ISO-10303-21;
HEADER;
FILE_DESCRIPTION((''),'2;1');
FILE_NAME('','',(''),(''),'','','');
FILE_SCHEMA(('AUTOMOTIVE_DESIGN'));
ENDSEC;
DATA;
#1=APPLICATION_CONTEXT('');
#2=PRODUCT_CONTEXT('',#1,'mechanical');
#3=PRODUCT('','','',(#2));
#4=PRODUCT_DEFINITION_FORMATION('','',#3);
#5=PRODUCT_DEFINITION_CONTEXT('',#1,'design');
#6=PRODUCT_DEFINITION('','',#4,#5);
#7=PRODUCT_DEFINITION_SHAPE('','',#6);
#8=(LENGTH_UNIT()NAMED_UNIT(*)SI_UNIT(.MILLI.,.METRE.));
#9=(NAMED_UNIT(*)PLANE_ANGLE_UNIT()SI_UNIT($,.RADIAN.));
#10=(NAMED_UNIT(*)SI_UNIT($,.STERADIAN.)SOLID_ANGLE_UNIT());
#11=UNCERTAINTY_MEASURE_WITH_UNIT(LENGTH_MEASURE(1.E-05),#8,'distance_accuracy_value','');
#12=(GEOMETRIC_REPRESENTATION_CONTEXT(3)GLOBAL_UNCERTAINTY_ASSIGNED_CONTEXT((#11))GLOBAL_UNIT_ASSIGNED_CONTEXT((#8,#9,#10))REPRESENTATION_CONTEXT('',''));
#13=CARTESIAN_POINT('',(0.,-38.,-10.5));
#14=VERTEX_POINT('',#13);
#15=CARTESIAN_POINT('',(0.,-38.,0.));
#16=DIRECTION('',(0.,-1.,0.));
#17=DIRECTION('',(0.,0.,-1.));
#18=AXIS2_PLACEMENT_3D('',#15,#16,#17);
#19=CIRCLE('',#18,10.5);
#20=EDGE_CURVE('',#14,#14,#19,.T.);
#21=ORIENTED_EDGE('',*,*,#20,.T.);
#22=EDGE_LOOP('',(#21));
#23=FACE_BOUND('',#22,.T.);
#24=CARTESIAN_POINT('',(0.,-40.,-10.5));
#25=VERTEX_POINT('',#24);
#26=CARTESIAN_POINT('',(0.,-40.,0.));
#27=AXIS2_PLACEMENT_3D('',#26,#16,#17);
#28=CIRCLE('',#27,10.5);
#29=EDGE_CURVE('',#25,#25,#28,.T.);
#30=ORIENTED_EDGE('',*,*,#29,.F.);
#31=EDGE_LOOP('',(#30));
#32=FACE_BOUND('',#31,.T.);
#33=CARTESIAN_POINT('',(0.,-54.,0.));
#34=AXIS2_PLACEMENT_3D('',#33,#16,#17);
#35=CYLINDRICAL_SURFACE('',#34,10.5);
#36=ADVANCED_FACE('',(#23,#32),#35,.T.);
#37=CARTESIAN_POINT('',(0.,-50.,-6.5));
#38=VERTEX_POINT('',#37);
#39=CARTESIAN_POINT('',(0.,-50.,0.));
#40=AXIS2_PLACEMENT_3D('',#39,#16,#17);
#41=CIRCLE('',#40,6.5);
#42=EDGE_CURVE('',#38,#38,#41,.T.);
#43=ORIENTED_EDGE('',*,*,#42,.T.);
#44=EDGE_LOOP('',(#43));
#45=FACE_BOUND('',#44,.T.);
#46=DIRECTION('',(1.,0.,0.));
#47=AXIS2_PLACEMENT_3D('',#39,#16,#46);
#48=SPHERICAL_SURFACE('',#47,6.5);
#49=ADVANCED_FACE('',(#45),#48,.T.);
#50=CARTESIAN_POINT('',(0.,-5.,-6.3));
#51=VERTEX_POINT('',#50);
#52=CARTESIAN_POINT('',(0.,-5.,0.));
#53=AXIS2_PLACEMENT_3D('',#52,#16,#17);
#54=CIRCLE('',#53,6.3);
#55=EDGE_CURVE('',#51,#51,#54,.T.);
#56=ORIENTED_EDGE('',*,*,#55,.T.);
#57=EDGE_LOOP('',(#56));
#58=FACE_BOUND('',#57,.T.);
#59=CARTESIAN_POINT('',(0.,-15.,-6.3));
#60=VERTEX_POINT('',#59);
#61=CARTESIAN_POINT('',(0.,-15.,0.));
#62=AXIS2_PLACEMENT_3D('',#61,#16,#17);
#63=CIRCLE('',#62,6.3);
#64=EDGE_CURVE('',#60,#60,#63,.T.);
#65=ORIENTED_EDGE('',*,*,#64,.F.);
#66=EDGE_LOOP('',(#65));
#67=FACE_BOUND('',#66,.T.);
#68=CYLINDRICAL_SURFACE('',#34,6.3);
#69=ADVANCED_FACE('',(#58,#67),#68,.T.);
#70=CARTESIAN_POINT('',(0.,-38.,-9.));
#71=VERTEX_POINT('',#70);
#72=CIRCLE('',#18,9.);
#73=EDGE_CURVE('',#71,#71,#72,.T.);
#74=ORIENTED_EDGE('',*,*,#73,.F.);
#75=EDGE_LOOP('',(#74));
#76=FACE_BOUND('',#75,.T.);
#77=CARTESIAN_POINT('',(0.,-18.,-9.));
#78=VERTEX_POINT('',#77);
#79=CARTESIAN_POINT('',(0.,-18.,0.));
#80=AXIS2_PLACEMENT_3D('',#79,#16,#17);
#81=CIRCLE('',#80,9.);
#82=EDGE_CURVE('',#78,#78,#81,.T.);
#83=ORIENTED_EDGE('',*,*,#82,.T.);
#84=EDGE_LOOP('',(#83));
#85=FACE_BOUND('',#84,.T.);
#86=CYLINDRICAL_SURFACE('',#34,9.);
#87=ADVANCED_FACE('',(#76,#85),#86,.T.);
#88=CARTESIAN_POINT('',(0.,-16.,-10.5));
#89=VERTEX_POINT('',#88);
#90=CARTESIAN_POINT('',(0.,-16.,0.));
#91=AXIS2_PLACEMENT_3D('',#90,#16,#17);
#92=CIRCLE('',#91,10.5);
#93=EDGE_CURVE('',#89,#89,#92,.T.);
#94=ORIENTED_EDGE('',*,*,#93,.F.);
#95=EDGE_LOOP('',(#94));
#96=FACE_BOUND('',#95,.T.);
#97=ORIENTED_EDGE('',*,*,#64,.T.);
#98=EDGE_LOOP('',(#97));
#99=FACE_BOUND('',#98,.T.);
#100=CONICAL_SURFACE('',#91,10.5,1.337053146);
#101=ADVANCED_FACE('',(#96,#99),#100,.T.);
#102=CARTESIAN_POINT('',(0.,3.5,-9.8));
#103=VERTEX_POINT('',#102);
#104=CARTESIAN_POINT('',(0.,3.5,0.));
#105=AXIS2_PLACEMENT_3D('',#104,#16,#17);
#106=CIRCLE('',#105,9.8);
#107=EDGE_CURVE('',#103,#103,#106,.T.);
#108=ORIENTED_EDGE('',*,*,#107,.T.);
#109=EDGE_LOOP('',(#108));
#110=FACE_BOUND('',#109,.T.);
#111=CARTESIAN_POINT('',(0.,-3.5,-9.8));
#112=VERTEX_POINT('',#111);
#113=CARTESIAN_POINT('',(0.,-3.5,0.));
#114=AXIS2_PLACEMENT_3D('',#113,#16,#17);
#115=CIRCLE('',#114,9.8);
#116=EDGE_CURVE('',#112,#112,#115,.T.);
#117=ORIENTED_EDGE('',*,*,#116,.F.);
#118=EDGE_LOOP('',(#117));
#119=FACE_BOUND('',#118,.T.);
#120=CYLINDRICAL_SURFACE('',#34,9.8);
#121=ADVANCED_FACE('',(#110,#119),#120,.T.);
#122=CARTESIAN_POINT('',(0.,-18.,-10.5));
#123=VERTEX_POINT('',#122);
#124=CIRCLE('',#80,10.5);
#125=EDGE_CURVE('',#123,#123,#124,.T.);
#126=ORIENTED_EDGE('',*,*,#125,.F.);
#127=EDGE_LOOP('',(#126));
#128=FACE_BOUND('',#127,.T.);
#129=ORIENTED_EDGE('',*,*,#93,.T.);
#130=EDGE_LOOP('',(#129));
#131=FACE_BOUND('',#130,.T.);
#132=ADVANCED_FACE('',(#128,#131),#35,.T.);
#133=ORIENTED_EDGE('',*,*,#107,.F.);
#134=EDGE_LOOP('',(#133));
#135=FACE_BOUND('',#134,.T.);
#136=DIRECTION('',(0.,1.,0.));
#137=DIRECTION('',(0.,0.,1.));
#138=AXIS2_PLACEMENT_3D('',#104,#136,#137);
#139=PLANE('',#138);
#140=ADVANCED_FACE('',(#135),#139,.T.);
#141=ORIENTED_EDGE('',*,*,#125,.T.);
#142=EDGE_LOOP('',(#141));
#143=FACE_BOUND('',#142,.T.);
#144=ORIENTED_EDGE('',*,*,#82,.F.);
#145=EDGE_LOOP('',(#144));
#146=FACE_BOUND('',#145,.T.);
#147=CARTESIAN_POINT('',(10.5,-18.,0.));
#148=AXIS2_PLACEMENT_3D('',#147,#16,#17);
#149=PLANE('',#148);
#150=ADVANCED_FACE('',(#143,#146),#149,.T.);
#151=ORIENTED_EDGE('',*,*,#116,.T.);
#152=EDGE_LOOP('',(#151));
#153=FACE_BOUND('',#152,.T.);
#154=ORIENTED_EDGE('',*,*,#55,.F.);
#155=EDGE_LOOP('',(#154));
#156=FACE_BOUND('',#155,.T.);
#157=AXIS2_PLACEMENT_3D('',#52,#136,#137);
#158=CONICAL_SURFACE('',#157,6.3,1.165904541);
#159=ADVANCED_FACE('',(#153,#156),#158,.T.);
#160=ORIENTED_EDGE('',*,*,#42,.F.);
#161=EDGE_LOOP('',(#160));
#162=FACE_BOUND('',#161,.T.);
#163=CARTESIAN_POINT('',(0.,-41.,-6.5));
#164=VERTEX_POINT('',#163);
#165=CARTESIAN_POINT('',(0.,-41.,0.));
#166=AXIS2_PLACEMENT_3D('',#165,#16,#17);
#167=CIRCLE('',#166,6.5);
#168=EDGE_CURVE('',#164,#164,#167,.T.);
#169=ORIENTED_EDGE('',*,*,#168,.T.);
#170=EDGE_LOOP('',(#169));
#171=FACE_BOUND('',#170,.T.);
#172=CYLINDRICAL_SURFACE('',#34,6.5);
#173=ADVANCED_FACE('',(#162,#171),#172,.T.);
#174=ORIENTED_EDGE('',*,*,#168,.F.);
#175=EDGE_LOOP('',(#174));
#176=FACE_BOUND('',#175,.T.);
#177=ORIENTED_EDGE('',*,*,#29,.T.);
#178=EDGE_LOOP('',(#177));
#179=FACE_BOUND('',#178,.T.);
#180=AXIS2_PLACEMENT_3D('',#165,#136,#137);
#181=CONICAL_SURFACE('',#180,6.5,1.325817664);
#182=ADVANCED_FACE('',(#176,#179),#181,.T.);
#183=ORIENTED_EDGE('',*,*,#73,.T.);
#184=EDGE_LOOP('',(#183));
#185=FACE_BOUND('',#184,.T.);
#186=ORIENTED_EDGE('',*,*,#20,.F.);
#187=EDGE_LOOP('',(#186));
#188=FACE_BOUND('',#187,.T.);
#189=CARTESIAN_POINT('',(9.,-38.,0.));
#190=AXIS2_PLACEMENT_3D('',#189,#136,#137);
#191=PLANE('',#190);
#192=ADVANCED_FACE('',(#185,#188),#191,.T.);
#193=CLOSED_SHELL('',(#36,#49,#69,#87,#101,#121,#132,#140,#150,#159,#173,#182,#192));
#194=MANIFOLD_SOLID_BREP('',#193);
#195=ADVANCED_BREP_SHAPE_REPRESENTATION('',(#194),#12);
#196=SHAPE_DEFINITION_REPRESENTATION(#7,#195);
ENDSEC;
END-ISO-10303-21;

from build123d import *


with BuildPart() as part:
    # Sketch1 → Cabeza_cuello_tambor (revolve)
    with BuildSketch(Plane.XY, mode=Mode.PRIVATE) as cabeza_cuello_tambor_sk:
        Polygon((0, 3.5), (9.8, 3.5), (9.8, -3.5), (6.3, -5), (6.3, -15), (10.5, -16), (10.5, -18), (9, -18), (9, -38), (10.5, -38), (10.5, -40), (6.5, -41), (6.5, -50), (0, -50), align=None)
    revolve(cabeza_cuello_tambor_sk.sketch.rotate(Axis((0, -54, 0), (0, 1, 0)), 90), axis=Axis((0, -54, 0), (0, 1, 0)))

    # Sketch2 → Union_diafisis (revolve)
    with BuildSketch(Plane.XY):
        with BuildLine():
            Line((0, -56.5), (0, -43.5))
            ThreePointArc((0, -43.5), (6.5, -50), (0, -56.5))
        make_face()
    revolve(axis=Axis((0, -60.5, 0), (0, 1, 0)))


solid = part.part
